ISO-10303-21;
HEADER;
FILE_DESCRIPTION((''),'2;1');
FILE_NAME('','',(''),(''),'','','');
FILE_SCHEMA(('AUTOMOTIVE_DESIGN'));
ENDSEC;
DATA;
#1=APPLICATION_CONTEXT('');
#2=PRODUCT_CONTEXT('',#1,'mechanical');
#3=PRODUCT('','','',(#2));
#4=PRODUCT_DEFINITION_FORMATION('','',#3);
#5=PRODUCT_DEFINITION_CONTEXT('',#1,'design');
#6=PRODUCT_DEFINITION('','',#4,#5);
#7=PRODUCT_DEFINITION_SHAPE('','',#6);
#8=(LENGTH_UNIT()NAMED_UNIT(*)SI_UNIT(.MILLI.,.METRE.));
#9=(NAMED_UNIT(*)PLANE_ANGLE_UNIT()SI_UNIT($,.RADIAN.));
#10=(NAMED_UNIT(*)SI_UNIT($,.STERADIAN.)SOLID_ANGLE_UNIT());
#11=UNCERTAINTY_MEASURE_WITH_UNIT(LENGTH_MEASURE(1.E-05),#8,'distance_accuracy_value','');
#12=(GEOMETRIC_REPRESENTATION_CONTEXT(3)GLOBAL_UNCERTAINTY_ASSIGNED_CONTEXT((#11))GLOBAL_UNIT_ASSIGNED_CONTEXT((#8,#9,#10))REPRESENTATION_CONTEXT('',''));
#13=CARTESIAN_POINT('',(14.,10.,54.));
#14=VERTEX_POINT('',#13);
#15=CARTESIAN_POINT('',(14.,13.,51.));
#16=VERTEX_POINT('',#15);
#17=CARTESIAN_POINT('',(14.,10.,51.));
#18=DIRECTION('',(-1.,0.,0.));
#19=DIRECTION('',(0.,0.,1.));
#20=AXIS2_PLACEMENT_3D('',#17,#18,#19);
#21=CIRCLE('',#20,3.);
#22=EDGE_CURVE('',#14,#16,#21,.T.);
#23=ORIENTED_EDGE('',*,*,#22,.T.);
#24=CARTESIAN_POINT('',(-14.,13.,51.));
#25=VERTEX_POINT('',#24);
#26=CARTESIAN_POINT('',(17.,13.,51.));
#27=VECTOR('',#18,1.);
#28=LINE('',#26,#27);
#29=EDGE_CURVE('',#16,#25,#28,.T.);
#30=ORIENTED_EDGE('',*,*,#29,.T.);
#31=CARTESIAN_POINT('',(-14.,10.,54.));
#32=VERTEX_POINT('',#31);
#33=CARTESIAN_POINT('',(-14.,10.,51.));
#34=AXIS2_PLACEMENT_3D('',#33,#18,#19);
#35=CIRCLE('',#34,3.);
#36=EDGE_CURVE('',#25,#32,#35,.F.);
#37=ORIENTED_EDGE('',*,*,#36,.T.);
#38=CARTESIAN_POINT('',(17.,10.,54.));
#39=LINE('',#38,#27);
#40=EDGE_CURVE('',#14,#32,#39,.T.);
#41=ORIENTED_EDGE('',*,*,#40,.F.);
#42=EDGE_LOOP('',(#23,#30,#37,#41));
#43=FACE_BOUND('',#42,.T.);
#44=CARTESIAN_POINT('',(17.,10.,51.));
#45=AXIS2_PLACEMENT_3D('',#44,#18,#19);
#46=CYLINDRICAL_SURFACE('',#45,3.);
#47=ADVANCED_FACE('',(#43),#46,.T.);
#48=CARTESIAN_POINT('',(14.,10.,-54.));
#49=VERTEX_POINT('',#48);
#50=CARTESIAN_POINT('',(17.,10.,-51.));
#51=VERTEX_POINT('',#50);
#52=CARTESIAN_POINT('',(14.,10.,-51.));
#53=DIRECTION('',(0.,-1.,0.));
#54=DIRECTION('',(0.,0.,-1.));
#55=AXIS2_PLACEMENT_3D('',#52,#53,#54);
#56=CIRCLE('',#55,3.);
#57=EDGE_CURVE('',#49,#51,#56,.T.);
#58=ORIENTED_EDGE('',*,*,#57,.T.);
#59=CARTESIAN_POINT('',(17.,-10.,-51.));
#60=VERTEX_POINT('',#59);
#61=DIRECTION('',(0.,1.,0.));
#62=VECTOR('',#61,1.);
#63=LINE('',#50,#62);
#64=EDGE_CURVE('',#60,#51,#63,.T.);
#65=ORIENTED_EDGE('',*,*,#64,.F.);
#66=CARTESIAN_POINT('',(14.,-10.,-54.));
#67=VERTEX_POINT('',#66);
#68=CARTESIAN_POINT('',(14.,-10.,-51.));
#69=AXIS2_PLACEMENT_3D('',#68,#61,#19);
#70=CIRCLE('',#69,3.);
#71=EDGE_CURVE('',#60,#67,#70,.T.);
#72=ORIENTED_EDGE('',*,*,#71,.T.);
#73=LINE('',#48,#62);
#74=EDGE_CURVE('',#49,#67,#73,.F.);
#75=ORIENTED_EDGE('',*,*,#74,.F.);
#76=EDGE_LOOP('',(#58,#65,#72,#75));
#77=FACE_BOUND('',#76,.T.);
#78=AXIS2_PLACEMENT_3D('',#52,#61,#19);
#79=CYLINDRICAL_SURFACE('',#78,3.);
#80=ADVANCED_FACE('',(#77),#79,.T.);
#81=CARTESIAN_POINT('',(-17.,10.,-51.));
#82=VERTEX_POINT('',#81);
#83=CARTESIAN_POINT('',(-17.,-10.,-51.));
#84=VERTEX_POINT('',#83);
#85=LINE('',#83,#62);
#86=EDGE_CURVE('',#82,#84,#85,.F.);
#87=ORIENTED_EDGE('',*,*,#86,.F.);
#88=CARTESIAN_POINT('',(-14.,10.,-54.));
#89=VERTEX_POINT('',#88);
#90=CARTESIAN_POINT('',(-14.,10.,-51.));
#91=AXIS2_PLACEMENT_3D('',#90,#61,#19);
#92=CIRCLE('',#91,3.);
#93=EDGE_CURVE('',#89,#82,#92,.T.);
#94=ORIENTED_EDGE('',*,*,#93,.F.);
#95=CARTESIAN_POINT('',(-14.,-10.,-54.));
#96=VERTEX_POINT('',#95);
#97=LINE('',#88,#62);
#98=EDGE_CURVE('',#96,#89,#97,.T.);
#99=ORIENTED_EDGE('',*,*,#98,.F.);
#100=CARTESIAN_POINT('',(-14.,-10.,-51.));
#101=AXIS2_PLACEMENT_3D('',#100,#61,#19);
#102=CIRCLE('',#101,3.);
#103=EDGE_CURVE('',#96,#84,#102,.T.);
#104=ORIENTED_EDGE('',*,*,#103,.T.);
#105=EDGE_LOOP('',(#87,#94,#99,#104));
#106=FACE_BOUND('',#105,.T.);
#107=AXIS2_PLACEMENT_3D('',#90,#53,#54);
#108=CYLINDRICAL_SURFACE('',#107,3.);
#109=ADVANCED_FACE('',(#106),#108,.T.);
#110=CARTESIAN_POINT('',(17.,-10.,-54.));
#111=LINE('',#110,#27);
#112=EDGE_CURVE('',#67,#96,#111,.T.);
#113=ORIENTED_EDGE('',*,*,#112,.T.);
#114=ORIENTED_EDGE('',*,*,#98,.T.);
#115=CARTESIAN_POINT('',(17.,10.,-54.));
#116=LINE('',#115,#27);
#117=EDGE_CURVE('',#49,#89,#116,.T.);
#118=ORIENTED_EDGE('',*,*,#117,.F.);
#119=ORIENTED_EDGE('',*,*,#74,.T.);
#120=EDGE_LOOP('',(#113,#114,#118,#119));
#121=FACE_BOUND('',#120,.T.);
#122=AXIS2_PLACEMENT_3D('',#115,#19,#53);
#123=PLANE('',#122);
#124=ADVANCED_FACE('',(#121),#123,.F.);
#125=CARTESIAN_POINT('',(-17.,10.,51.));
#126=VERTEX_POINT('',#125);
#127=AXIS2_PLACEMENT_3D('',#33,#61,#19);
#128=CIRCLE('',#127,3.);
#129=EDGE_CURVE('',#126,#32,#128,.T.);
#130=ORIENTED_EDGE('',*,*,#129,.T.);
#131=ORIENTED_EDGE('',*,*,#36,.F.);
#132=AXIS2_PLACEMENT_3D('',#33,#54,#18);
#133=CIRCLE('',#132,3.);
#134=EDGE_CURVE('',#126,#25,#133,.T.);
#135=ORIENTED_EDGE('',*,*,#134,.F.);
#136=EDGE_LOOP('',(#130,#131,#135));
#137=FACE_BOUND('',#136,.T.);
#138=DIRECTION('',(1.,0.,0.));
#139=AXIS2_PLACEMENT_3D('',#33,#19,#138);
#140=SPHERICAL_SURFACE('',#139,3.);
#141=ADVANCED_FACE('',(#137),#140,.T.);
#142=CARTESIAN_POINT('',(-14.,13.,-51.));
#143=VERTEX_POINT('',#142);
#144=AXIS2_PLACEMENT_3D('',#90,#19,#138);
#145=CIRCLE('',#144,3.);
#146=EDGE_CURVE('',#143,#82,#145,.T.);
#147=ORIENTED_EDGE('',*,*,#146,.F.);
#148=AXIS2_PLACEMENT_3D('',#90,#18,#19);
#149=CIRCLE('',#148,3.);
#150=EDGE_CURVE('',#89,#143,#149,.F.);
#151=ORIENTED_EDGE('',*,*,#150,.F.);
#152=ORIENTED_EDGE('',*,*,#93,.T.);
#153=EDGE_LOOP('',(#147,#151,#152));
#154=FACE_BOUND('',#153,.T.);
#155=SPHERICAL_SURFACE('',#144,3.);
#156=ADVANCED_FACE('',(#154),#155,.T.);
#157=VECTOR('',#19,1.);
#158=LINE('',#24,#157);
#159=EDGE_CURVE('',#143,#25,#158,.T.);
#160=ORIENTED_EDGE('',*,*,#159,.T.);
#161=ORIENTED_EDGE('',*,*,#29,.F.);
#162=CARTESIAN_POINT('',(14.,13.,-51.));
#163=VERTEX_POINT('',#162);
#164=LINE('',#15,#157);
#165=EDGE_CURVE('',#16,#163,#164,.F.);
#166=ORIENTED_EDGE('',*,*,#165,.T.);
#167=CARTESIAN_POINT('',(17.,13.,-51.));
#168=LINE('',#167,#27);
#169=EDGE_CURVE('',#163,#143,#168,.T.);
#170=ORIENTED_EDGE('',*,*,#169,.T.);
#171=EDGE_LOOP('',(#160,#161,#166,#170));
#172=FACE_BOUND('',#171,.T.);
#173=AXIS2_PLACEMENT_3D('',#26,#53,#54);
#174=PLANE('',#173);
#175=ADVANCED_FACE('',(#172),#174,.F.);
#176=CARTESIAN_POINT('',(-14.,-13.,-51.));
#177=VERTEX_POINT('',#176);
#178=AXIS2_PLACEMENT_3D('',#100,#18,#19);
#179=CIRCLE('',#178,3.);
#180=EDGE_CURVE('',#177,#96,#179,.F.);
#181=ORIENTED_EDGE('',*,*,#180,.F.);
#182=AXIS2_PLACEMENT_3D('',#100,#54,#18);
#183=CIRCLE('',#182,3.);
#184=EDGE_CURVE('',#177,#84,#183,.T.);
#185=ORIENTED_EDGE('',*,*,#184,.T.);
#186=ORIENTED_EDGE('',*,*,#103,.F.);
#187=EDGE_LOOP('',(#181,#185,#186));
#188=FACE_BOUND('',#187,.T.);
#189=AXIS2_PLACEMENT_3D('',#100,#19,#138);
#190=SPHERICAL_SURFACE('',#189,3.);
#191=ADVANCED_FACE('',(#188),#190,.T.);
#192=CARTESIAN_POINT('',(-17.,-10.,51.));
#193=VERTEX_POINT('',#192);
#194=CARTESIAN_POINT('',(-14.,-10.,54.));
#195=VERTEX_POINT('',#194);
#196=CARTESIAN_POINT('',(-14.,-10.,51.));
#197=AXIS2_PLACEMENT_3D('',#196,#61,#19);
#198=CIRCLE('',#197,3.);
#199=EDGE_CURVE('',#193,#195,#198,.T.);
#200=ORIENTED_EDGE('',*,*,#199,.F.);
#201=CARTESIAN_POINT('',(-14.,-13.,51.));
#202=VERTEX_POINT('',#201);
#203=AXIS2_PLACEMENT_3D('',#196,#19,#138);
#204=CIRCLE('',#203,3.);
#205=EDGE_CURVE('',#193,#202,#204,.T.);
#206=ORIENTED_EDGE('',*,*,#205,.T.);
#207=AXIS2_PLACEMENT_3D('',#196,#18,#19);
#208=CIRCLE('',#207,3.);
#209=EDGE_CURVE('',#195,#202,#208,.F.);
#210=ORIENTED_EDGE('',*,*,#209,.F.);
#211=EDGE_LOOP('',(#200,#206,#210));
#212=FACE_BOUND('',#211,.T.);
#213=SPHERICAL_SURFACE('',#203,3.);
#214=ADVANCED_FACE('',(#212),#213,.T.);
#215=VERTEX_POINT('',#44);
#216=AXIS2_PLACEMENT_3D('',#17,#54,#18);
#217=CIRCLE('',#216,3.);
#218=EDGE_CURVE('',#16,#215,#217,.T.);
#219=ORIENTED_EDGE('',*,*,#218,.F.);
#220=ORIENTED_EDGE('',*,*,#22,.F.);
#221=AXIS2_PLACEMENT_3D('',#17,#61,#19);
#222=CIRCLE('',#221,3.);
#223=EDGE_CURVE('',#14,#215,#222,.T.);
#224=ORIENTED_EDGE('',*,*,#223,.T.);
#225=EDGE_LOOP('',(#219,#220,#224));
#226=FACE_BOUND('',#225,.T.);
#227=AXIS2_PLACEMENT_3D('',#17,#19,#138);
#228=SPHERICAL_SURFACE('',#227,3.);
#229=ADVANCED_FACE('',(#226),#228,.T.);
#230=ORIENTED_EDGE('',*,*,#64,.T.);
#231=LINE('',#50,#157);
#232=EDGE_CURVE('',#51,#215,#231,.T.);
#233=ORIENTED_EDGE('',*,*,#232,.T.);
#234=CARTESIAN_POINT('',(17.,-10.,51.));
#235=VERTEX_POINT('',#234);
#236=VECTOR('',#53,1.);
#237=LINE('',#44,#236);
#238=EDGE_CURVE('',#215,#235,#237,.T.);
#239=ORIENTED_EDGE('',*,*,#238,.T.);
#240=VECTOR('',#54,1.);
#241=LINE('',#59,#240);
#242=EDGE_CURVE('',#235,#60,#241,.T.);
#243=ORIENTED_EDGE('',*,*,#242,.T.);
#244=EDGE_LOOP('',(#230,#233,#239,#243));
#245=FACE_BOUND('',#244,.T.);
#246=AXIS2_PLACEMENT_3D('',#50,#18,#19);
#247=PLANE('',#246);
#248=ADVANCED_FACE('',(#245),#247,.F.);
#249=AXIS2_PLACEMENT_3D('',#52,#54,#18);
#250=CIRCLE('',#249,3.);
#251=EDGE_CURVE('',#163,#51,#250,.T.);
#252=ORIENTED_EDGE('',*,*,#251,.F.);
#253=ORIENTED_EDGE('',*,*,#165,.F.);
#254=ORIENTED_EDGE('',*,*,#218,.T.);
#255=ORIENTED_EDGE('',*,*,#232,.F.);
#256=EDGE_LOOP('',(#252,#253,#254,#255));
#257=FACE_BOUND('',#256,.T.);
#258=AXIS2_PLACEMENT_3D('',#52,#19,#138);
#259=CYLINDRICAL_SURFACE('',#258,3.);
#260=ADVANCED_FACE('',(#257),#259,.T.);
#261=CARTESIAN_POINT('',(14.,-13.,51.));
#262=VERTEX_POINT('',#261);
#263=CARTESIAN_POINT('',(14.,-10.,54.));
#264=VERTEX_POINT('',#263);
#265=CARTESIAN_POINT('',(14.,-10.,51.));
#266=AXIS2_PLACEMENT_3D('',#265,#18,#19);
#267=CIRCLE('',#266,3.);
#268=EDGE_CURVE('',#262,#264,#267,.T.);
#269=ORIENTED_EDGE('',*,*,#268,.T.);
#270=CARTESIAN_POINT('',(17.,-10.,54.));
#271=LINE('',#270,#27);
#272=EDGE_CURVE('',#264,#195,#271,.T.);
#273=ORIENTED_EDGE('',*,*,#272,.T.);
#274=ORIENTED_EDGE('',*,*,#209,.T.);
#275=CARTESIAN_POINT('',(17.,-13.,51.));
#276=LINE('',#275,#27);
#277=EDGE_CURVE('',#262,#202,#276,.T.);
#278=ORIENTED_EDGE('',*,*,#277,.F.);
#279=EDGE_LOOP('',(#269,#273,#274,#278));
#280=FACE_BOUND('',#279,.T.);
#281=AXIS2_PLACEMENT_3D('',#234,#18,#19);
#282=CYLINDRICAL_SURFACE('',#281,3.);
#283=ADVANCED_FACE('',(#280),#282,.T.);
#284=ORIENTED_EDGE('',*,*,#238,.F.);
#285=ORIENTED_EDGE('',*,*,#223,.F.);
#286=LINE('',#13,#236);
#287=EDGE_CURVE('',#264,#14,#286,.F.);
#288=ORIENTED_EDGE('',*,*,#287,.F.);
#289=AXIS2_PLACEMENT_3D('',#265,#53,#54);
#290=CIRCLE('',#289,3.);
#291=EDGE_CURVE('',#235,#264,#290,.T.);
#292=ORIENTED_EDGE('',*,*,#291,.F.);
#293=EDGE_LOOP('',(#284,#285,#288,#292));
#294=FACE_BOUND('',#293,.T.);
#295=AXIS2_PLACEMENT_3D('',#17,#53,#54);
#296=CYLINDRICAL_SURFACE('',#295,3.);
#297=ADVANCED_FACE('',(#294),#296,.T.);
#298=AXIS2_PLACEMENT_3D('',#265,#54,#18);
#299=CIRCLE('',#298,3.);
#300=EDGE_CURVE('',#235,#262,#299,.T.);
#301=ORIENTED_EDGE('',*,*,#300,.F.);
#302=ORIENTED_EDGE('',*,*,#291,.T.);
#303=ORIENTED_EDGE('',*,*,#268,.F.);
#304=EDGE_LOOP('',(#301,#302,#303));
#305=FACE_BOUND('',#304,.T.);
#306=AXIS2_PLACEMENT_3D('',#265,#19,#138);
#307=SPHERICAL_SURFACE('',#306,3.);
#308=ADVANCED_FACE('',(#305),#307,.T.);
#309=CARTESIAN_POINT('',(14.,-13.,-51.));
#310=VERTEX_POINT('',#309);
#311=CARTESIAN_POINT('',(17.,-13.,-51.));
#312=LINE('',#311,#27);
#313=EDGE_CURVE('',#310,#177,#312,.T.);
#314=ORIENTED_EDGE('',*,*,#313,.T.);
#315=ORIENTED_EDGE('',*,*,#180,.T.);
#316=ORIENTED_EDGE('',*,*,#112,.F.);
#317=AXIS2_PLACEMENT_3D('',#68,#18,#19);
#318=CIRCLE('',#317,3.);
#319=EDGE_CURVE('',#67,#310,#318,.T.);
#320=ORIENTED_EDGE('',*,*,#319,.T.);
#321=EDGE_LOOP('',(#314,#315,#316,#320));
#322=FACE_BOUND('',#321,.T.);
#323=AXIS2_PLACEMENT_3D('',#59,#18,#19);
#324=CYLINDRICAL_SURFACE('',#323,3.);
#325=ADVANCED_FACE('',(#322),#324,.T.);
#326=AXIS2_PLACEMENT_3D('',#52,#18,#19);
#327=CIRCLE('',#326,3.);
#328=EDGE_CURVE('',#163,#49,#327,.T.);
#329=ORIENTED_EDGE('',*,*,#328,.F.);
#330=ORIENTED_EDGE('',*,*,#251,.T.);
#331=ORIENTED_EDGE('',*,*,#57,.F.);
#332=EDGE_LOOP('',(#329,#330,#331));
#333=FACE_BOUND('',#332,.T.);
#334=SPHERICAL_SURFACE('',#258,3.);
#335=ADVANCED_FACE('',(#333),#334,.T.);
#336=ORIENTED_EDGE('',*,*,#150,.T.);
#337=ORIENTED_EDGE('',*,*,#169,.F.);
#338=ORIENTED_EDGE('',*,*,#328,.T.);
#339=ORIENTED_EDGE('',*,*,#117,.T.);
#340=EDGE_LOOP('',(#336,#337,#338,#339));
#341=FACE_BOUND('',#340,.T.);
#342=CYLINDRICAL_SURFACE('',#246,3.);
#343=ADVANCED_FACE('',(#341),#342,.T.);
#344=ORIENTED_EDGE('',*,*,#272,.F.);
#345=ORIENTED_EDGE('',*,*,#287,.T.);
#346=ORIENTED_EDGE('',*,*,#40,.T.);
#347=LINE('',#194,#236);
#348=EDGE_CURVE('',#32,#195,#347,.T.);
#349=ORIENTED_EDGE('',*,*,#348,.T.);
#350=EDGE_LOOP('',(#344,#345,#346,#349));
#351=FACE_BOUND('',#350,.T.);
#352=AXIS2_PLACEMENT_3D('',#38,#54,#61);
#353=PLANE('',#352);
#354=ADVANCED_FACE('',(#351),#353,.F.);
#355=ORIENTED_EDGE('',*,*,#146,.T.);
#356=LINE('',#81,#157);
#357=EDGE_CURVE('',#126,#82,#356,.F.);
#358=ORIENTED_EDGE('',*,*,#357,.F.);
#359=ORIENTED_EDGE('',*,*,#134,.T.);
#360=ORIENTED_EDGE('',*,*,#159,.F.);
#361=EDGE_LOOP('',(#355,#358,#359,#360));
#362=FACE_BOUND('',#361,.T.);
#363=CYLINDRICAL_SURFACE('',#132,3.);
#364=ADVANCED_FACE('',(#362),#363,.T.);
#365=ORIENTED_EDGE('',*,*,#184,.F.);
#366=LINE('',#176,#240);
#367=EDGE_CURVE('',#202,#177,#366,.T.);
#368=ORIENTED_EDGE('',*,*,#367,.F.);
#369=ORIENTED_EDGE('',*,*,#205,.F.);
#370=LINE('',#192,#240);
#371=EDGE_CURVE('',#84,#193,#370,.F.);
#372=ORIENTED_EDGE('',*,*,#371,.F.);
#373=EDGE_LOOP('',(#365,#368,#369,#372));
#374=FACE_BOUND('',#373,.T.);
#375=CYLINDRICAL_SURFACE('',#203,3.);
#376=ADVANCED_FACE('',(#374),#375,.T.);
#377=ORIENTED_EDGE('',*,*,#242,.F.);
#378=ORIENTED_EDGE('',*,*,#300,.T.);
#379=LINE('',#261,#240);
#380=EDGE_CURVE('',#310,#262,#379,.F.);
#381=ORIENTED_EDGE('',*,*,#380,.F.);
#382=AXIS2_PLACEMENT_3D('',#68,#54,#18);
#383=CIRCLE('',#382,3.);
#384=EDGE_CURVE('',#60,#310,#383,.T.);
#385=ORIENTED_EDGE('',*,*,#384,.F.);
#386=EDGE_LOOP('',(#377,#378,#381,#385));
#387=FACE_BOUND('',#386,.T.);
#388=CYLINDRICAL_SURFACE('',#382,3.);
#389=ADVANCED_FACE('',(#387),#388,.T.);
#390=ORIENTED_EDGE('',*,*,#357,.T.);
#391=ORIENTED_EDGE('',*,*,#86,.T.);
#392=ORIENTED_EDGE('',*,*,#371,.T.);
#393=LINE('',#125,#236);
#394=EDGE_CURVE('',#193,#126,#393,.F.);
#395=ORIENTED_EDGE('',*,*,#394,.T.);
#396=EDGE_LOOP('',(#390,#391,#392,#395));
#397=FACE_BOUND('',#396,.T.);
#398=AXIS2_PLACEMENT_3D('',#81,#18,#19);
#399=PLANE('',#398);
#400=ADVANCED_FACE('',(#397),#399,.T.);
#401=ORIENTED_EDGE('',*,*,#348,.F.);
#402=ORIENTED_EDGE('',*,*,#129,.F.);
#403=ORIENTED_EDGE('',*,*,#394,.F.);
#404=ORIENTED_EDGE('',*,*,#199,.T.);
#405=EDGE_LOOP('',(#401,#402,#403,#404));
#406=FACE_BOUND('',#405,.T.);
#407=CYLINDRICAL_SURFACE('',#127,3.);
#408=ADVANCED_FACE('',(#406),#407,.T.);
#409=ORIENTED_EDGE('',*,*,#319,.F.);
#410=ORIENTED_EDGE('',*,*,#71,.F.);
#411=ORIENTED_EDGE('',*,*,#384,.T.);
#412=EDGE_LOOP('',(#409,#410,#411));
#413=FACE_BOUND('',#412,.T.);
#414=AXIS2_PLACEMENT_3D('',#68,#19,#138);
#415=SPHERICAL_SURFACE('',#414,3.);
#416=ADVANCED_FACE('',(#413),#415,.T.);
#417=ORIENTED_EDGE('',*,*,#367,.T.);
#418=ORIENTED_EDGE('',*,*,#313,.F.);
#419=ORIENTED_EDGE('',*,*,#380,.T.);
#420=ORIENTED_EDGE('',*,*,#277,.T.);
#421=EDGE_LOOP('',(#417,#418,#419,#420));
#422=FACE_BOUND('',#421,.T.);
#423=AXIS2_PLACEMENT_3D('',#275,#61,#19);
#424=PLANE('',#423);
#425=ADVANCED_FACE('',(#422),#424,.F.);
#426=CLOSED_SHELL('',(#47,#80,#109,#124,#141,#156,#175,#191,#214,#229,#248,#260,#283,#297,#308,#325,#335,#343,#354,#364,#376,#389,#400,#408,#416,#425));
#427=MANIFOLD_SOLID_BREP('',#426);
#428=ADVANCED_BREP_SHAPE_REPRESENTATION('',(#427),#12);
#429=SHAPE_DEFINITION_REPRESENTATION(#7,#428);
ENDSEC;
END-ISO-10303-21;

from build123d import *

# Parameters (mm, degrees)
BOSS_EXTRUDE1_DEPTH = 17
FILLET1_R           = 3


with BuildPart() as part:
    # Sketch1 → Boss-Extrude1 (new, symmetric)
    with BuildSketch(Plane(origin=(0, 0, 0), x_dir=(0, 0, -1), z_dir=(1, 0, 0))):
        with BuildLine():
            Line((-51, 13), (51, 13))
            ThreePointArc((51, 13), (53.121320344, 12.121320344), (54, 10))
            Line((54, 10), (54, -10))
            ThreePointArc((54, -10), (53.121320344, -12.121320344), (51, -13))
            Line((51, -13), (-51, -13))
            ThreePointArc((-51, -13), (-53.121320344, -12.121320344), (-54, -10))
            Line((-54, -10), (-54, 10))
            ThreePointArc((-54, 10), (-53.121320344, 12.121320344), (-51, 13))
        make_face()
    extrude(amount=BOSS_EXTRUDE1_DEPTH, both=True)

    # Fillet1
    fillet1_edges = [part.edges().sort_by_distance(p)[0] for p in [
        (17, 12.121320344, 53.121320344),
        (-17, 13, 0),
        (-17, 12.121320344, -53.121320344),
        (17, 0, 54),
        (17, -12.121320344, 53.121320344),
        (17, -13, 0),
        (17, -12.121320344, -53.121320344),
        (17, 0, -54),
        (17, 12.121320344, -53.121320344),
        (17, 13, 0),
        (-17, 0, -54),
        (-17, -12.121320344, -53.121320344),
        (-17, -13, 0),
        (-17, -12.121320344, 53.121320344),
        (-17, 0, 54),
        (-17, 12.121320344, 53.121320344),
    ]]
    fillet(fillet1_edges, radius=FILLET1_R)


solid = part.part
